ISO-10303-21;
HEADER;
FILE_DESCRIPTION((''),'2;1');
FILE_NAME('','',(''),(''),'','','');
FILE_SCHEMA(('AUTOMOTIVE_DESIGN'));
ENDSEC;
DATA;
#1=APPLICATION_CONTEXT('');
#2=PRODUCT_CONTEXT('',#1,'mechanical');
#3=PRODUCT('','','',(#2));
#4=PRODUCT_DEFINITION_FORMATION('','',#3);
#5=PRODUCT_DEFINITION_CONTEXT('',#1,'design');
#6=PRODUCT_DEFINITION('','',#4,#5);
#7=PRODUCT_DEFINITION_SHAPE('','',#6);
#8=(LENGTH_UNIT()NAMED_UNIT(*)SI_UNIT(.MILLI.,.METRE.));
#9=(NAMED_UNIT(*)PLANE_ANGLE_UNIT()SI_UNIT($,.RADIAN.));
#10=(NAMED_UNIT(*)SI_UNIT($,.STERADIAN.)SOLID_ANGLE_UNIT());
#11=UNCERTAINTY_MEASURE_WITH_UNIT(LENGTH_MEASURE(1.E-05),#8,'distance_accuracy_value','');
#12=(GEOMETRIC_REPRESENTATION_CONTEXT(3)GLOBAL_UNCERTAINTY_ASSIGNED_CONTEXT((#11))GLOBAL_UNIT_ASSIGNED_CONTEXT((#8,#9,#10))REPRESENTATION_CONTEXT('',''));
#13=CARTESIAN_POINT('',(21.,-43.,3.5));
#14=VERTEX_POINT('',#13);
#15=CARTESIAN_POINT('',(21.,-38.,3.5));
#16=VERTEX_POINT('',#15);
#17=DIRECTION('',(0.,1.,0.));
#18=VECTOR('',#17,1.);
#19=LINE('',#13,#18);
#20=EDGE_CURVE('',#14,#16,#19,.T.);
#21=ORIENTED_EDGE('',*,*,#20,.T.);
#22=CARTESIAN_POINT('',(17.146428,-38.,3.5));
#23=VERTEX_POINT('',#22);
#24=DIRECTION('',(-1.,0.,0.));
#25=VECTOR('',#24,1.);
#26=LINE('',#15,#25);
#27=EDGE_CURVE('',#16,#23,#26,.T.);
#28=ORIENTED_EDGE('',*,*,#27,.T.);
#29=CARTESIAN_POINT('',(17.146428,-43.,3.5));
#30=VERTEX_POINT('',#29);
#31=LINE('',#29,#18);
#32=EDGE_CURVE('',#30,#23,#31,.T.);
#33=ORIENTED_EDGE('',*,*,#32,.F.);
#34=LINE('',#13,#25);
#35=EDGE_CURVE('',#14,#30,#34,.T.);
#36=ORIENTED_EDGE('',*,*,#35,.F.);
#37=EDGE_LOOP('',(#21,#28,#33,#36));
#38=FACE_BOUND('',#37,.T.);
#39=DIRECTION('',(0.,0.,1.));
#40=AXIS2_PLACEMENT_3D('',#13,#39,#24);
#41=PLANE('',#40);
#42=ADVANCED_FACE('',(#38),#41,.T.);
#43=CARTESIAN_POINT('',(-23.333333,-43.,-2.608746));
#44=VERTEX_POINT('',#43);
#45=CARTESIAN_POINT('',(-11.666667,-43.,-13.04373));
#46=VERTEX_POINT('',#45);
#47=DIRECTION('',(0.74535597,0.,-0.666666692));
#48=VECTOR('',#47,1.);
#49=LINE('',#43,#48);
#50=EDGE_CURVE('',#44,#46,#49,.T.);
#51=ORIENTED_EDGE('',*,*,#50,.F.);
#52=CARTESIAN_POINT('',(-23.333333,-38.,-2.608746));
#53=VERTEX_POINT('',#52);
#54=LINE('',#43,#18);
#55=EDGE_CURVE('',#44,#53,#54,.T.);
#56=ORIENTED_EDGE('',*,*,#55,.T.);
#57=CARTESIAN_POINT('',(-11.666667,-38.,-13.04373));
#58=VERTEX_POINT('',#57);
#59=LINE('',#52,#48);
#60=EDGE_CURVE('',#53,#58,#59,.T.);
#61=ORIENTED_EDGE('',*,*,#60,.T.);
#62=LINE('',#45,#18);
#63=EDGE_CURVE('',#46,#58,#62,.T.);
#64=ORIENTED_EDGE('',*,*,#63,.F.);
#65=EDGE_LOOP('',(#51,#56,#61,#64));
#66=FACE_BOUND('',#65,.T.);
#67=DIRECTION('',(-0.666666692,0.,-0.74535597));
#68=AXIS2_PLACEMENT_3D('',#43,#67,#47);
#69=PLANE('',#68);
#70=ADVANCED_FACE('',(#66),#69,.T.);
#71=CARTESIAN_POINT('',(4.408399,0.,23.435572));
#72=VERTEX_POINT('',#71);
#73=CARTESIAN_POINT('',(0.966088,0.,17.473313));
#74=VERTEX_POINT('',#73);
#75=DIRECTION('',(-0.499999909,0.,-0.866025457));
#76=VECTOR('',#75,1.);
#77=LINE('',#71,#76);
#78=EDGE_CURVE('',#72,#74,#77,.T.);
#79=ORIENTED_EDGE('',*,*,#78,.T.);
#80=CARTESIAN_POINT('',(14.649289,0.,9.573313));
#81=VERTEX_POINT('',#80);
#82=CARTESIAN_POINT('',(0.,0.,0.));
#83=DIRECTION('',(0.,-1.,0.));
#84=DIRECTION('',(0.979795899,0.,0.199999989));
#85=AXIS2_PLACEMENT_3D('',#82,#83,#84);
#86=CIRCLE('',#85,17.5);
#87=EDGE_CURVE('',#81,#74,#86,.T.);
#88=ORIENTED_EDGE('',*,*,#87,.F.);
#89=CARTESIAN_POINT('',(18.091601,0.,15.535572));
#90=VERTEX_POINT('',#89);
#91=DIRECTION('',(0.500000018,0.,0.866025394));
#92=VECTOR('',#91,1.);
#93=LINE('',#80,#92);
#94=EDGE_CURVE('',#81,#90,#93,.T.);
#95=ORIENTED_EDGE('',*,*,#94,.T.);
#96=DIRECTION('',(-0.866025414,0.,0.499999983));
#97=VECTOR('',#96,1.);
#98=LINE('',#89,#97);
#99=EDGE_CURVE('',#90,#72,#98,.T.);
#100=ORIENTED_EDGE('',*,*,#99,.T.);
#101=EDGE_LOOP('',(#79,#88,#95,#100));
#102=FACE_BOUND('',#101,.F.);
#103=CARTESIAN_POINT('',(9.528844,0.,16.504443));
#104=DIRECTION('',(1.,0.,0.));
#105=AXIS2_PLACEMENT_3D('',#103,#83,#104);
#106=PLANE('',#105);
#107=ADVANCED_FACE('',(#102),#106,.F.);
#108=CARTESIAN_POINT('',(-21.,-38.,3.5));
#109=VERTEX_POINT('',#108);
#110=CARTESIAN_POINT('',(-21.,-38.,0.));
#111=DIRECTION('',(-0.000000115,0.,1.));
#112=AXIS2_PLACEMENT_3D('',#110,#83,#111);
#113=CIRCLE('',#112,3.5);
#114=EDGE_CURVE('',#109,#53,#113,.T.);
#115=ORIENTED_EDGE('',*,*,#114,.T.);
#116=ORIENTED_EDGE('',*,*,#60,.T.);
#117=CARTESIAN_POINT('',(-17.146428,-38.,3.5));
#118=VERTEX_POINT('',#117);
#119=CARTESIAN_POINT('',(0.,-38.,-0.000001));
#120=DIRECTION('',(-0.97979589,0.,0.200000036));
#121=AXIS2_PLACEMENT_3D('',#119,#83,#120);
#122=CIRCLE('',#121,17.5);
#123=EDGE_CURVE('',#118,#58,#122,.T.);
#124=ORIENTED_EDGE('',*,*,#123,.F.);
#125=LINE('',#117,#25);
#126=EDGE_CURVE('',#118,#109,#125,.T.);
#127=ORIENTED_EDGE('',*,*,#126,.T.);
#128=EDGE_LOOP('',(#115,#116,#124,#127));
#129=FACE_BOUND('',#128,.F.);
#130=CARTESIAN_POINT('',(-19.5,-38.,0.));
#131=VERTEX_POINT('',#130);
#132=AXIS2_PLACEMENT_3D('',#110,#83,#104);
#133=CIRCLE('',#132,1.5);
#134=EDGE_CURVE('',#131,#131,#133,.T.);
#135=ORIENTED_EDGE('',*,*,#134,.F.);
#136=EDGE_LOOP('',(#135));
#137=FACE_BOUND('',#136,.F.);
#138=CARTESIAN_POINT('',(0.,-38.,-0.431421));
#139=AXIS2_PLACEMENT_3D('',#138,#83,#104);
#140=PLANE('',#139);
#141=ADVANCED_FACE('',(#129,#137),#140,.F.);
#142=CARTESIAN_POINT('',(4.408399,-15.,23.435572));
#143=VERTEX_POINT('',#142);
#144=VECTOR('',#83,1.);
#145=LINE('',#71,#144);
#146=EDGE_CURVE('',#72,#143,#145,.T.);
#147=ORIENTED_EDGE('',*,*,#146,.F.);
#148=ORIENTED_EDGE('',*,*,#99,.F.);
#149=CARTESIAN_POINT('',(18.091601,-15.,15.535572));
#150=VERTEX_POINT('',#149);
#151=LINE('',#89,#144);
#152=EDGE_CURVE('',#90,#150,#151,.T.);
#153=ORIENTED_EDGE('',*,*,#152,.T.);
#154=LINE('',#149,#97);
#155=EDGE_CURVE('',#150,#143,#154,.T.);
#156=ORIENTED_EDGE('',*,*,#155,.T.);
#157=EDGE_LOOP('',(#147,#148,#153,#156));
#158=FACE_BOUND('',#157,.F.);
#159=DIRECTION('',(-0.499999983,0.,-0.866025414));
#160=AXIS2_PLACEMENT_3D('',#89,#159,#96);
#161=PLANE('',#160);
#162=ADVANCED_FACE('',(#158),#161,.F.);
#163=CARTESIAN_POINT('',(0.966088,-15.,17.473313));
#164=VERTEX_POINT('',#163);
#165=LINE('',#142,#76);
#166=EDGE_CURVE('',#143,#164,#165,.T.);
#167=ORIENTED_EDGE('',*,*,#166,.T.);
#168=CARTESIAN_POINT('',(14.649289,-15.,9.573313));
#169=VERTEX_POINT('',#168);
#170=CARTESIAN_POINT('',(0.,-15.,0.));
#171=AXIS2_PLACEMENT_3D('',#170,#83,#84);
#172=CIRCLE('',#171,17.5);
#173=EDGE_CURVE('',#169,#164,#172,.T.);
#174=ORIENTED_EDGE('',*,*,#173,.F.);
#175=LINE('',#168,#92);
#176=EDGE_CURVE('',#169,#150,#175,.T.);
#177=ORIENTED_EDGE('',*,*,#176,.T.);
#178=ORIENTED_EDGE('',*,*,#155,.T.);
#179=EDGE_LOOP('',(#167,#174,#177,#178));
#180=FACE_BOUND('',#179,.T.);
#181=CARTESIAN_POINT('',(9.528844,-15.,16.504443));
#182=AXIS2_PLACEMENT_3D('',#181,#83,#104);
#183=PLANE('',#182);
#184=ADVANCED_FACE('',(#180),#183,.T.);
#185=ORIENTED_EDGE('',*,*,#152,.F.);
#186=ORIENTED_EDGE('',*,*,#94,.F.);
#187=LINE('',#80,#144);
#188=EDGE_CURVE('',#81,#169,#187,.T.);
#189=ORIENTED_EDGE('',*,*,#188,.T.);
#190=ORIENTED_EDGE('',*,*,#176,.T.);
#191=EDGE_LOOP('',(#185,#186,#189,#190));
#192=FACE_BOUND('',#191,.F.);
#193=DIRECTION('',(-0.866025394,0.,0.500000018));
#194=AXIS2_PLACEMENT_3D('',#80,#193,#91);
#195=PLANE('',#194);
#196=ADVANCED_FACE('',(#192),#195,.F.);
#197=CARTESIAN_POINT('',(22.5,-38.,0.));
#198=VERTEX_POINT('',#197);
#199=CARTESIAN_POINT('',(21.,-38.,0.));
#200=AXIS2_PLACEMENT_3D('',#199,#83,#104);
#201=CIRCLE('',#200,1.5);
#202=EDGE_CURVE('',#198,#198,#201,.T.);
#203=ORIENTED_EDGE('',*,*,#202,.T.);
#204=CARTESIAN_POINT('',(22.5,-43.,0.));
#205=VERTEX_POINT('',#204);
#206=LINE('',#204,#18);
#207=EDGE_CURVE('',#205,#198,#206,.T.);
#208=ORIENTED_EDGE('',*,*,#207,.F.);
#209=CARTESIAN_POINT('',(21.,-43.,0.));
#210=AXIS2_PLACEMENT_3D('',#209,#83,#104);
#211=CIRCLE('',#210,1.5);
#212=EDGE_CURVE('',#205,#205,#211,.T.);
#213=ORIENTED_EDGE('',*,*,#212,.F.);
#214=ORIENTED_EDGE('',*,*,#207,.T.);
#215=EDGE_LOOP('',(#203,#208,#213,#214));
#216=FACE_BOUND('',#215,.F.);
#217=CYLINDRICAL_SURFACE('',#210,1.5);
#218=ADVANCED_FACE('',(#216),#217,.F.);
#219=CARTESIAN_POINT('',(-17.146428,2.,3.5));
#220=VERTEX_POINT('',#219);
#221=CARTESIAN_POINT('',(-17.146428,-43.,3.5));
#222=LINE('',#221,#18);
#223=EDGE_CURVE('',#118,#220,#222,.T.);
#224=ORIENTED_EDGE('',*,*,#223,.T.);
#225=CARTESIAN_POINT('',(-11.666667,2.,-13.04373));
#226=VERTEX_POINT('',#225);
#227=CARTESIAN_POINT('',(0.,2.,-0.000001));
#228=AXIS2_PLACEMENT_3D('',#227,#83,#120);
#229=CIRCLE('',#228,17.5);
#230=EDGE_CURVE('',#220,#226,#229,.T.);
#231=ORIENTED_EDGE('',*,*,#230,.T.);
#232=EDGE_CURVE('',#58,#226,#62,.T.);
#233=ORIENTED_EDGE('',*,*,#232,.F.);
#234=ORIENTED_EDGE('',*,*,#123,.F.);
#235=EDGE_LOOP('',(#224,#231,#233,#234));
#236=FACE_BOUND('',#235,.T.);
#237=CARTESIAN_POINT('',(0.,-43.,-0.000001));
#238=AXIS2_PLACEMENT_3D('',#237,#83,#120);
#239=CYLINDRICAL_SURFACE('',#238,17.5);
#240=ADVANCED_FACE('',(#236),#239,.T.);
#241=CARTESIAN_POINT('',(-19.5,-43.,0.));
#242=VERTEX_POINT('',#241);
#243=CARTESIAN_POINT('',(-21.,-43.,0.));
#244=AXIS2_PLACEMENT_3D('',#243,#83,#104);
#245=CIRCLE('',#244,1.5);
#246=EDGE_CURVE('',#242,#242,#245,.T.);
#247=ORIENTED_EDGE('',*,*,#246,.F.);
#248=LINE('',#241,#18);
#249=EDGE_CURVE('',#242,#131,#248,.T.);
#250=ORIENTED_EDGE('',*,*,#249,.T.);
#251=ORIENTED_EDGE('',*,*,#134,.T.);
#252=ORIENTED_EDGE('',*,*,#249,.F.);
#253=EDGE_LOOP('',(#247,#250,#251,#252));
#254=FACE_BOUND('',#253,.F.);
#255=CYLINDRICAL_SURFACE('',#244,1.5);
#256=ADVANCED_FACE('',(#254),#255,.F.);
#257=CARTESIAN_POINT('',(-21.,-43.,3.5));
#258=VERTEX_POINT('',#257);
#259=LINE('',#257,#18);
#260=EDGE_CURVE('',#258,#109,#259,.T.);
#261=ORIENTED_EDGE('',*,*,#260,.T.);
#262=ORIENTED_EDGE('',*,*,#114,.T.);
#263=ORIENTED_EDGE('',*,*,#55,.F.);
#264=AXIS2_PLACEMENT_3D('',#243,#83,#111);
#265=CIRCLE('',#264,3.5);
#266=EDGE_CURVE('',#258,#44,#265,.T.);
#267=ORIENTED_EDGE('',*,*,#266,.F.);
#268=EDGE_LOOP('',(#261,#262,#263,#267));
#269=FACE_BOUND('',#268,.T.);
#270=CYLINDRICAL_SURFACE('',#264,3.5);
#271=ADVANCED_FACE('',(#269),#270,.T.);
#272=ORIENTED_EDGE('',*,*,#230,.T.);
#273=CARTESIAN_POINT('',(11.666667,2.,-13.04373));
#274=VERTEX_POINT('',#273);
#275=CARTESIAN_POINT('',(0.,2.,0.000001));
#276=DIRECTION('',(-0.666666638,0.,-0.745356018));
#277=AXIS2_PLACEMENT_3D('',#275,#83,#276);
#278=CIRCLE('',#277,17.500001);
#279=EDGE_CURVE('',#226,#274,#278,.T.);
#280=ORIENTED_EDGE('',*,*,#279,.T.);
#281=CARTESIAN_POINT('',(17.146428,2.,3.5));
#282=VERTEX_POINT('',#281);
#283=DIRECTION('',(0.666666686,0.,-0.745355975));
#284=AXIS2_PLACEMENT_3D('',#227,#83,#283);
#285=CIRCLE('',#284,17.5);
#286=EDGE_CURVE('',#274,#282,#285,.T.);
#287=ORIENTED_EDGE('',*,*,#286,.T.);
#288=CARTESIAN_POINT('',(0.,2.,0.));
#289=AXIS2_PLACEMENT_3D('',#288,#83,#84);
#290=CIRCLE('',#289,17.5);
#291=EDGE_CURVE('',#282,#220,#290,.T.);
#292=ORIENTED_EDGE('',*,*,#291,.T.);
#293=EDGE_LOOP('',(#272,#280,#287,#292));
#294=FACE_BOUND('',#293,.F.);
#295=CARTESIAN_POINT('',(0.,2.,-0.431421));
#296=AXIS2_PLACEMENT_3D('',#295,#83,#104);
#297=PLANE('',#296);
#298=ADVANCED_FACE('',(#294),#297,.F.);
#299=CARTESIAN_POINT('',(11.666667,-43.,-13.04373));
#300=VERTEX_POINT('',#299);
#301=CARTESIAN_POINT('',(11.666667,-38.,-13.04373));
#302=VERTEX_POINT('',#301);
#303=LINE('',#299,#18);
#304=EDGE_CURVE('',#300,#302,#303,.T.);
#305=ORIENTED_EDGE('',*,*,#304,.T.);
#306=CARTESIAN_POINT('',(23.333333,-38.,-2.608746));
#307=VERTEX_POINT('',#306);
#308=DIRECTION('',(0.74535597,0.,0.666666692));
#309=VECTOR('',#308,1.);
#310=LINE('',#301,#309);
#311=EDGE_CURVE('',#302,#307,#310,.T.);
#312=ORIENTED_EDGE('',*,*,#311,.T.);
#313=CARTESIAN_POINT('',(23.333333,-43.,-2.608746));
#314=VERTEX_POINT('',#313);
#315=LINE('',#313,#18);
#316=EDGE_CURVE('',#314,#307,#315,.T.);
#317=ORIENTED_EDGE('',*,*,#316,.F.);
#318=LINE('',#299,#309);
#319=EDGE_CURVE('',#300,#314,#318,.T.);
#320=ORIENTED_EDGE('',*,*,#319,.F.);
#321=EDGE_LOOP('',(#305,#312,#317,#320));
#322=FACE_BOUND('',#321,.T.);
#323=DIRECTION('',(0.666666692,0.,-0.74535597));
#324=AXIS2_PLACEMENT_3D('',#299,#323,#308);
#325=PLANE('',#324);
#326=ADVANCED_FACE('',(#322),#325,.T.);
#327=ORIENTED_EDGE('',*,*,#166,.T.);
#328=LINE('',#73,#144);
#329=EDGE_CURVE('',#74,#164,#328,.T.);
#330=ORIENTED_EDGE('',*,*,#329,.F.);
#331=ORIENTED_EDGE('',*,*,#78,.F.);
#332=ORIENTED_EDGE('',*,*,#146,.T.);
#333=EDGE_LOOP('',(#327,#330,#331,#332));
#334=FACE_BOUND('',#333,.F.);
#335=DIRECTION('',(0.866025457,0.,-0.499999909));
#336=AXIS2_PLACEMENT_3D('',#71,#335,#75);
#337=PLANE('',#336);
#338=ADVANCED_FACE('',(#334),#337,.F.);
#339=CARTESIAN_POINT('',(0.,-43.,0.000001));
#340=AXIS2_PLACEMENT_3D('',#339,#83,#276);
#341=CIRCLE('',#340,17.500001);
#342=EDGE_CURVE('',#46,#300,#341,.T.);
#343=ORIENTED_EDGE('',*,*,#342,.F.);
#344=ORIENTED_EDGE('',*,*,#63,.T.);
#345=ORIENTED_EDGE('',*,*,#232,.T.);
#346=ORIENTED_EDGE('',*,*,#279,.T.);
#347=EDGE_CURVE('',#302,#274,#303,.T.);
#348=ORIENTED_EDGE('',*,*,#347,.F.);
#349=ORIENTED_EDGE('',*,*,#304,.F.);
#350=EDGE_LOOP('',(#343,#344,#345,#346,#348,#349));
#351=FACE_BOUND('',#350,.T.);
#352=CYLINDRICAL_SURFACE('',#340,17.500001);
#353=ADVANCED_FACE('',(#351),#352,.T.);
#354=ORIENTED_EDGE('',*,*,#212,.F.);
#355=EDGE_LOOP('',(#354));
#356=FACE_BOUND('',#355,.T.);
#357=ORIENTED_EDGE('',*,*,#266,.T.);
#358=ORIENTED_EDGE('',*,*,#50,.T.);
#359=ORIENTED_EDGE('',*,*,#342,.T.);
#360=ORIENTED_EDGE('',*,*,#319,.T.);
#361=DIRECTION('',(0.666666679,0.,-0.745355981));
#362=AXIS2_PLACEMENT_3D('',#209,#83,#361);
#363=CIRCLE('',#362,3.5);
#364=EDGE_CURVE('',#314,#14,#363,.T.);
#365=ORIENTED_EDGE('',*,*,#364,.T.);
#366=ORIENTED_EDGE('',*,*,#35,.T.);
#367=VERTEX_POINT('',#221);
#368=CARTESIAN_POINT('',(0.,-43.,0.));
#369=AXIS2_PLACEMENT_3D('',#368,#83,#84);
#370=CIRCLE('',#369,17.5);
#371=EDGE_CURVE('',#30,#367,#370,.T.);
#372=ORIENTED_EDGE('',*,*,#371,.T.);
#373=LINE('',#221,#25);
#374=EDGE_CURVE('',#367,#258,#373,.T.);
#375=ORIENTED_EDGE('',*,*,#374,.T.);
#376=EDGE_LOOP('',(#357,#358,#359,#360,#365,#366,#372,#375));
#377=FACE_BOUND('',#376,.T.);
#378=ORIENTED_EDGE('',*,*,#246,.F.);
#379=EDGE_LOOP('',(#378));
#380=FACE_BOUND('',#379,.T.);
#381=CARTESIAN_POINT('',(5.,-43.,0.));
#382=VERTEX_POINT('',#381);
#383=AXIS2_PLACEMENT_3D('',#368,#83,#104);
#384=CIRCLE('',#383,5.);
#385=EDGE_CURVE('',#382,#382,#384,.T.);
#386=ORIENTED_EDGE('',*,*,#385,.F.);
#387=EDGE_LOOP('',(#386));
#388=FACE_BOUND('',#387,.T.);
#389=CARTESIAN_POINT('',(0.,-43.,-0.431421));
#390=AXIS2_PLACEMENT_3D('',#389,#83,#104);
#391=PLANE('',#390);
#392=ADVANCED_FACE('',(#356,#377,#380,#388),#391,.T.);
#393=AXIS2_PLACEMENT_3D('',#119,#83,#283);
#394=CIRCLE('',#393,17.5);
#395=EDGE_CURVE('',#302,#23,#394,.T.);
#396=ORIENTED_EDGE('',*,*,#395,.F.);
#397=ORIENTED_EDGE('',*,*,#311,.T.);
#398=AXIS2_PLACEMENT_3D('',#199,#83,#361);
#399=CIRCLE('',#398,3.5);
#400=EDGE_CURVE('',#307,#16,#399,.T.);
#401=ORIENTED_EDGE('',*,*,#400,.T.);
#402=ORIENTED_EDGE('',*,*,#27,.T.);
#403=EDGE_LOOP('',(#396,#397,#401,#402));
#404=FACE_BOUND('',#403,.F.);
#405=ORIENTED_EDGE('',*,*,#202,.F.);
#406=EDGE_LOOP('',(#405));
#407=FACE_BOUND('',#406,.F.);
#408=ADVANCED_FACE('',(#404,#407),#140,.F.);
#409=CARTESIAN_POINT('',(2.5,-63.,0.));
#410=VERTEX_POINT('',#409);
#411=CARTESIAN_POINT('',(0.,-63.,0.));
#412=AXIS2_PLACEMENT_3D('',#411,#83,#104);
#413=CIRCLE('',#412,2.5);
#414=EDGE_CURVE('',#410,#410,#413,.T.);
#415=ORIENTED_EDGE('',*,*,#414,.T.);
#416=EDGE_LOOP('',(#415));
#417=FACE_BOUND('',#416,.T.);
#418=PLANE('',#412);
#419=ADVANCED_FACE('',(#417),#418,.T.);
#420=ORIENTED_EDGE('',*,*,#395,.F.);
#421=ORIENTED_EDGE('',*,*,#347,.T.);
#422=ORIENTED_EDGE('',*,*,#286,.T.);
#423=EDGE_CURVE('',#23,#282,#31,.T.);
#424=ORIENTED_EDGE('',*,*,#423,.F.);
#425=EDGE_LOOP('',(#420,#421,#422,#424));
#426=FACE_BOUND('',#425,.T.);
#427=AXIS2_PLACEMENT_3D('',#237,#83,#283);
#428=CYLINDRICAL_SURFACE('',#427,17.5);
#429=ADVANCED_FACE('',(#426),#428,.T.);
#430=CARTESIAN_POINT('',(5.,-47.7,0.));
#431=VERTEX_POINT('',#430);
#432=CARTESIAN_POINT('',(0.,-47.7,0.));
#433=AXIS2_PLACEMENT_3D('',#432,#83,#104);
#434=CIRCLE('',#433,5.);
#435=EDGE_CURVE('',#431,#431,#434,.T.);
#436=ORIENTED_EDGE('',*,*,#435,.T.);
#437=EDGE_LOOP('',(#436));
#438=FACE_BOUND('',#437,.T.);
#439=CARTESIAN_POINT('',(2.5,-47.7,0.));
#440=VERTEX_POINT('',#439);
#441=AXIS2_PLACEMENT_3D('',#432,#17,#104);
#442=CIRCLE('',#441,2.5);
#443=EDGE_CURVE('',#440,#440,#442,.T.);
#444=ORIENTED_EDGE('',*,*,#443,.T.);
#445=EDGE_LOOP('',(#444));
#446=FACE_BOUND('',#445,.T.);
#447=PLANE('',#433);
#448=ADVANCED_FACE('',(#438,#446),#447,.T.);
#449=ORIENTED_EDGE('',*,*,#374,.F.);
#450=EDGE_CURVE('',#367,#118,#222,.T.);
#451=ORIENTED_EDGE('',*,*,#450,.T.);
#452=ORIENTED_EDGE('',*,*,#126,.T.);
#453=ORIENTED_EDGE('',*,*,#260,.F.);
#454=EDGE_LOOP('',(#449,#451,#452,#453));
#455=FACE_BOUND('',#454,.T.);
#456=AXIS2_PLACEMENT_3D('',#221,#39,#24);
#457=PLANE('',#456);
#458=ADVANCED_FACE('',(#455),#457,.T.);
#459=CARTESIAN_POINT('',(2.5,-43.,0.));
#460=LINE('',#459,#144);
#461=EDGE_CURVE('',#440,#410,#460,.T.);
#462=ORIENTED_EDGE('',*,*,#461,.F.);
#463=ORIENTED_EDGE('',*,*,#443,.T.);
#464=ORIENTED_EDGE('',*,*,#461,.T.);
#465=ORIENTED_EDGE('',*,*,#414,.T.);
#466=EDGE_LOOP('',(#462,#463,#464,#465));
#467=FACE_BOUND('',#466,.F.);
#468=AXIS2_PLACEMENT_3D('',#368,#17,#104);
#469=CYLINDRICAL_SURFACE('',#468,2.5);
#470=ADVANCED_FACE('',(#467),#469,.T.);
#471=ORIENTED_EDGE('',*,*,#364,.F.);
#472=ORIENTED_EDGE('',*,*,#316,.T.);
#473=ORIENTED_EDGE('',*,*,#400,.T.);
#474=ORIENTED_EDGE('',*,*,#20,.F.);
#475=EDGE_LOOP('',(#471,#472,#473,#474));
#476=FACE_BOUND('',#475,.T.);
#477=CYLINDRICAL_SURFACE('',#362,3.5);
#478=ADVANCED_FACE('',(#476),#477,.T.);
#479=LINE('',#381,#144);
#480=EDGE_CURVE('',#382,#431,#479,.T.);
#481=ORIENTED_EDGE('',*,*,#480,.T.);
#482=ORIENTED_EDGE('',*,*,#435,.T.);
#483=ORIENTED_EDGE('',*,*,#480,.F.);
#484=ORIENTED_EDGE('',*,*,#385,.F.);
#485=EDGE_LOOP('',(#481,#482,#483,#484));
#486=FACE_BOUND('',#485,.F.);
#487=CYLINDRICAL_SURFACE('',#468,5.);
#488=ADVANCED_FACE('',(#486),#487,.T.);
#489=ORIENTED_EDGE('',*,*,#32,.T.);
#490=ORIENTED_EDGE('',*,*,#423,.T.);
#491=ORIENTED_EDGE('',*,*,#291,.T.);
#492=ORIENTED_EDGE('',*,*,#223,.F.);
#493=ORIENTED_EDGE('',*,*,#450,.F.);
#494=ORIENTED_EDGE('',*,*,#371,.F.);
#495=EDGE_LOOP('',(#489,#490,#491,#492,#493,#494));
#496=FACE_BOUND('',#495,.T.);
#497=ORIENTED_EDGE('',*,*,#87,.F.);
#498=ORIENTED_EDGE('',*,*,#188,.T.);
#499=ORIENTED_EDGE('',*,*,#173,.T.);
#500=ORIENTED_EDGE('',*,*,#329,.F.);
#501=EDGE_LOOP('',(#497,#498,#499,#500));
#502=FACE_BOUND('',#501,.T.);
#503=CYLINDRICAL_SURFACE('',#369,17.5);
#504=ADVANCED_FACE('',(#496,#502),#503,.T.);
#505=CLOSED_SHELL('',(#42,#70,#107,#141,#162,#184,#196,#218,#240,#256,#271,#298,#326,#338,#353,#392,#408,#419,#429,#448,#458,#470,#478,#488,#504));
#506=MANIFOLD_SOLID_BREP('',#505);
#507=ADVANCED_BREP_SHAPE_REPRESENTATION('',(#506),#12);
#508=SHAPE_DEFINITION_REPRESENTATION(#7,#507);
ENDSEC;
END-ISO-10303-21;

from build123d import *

# Parameters (mm, degrees)
F0_R     = 5
F0_R_2   = 1.5
F0_R_3   = 2.5
F1_DEPTH = 5
F2_DEPTH = 45
F3_DEPTH = 4.7
F4_DEPTH = 20
F7_DEPTH = 15


with BuildPart() as f1:
    # F0 (on Front) → F1 (new body)
    with BuildSketch(Plane.XZ):
        with BuildLine():
            ThreePointArc((-17.146428, 3.5), (-16.612416, -5.502512), (-11.666667, -13.04373))
            ThreePointArc((-11.666667, -13.04373), (0, -17.5), (11.666667, -13.04373))
            ThreePointArc((11.666667, -13.04373), (16.612416, -5.502512), (17.146428, 3.5))
            ThreePointArc((17.146428, 3.5), (0, 17.5), (-17.146428, 3.5))
        make_face()
        Circle(F0_R, mode=Mode.SUBTRACT)
        with BuildLine():
            Line((-23.333333, -2.608746), (-11.666667, -13.04373))
            ThreePointArc((-11.666667, -13.04373), (-16.612416, -5.502512), (-17.146428, 3.5))
            Line((-17.146428, 3.5), (-21, 3.5))
            ThreePointArc((-21, 3.5), (-24.269603, 1.248877), (-23.333333, -2.608746))
        make_face()
        with Locations((-21, 0)):
            Circle(F0_R_2, mode=Mode.SUBTRACT)
        Circle(F0_R_3)
        with BuildLine():
            ThreePointArc((17.146428, 3.5), (16.612416, -5.502512), (11.666667, -13.04373))
            Line((11.666667, -13.04373), (23.333333, -2.608746))
            ThreePointArc((23.333333, -2.608746), (24.269603, 1.248877), (21, 3.5))
            Line((21, 3.5), (17.146428, 3.5))
        make_face()
        with Locations((21, 0)):
            Circle(F0_R_2, mode=Mode.SUBTRACT)
        Circle(F0_R)
        Circle(F0_R_3, mode=Mode.SUBTRACT)
    extrude(amount=-F1_DEPTH)

    # F0 (on Front) → F2 (join)
    with BuildSketch(Plane.XZ):
        with BuildLine():
            ThreePointArc((-17.146428, 3.5), (-16.612416, -5.502512), (-11.666667, -13.04373))
            ThreePointArc((-11.666667, -13.04373), (0, -17.5), (11.666667, -13.04373))
            ThreePointArc((11.666667, -13.04373), (16.612416, -5.502512), (17.146428, 3.5))
            ThreePointArc((17.146428, 3.5), (0, 17.5), (-17.146428, 3.5))
        make_face()
        Circle(F0_R, mode=Mode.SUBTRACT)
        Circle(F0_R)
        Circle(F0_R_3, mode=Mode.SUBTRACT)
        Circle(F0_R_3)
    extrude(amount=-F2_DEPTH)

    # F0 (on Front) → F3 (join)
    with BuildSketch(Plane.XZ):
        Circle(F0_R)
        Circle(F0_R_3, mode=Mode.SUBTRACT)
        Circle(F0_R_3)
    extrude(amount=F3_DEPTH)

    # F0 (on Front) → F4 (join)
    with BuildSketch(Plane.XZ):
        Circle(F0_R_3)
    extrude(amount=F4_DEPTH)


with BuildPart() as f1_1:
    # F5: moved
    add(f1.part.moved(Location((0, -43, 0))))

    # F6 (on Front) → F7 (join)
    with BuildSketch(Plane.XZ):
        Polygon((18.091601, 15.535572), (4.408399, 23.435572), (0.966088, 17.473313), (14.649289, 9.573313), align=None)
    extrude(amount=F7_DEPTH)


solid = f1_1.part
